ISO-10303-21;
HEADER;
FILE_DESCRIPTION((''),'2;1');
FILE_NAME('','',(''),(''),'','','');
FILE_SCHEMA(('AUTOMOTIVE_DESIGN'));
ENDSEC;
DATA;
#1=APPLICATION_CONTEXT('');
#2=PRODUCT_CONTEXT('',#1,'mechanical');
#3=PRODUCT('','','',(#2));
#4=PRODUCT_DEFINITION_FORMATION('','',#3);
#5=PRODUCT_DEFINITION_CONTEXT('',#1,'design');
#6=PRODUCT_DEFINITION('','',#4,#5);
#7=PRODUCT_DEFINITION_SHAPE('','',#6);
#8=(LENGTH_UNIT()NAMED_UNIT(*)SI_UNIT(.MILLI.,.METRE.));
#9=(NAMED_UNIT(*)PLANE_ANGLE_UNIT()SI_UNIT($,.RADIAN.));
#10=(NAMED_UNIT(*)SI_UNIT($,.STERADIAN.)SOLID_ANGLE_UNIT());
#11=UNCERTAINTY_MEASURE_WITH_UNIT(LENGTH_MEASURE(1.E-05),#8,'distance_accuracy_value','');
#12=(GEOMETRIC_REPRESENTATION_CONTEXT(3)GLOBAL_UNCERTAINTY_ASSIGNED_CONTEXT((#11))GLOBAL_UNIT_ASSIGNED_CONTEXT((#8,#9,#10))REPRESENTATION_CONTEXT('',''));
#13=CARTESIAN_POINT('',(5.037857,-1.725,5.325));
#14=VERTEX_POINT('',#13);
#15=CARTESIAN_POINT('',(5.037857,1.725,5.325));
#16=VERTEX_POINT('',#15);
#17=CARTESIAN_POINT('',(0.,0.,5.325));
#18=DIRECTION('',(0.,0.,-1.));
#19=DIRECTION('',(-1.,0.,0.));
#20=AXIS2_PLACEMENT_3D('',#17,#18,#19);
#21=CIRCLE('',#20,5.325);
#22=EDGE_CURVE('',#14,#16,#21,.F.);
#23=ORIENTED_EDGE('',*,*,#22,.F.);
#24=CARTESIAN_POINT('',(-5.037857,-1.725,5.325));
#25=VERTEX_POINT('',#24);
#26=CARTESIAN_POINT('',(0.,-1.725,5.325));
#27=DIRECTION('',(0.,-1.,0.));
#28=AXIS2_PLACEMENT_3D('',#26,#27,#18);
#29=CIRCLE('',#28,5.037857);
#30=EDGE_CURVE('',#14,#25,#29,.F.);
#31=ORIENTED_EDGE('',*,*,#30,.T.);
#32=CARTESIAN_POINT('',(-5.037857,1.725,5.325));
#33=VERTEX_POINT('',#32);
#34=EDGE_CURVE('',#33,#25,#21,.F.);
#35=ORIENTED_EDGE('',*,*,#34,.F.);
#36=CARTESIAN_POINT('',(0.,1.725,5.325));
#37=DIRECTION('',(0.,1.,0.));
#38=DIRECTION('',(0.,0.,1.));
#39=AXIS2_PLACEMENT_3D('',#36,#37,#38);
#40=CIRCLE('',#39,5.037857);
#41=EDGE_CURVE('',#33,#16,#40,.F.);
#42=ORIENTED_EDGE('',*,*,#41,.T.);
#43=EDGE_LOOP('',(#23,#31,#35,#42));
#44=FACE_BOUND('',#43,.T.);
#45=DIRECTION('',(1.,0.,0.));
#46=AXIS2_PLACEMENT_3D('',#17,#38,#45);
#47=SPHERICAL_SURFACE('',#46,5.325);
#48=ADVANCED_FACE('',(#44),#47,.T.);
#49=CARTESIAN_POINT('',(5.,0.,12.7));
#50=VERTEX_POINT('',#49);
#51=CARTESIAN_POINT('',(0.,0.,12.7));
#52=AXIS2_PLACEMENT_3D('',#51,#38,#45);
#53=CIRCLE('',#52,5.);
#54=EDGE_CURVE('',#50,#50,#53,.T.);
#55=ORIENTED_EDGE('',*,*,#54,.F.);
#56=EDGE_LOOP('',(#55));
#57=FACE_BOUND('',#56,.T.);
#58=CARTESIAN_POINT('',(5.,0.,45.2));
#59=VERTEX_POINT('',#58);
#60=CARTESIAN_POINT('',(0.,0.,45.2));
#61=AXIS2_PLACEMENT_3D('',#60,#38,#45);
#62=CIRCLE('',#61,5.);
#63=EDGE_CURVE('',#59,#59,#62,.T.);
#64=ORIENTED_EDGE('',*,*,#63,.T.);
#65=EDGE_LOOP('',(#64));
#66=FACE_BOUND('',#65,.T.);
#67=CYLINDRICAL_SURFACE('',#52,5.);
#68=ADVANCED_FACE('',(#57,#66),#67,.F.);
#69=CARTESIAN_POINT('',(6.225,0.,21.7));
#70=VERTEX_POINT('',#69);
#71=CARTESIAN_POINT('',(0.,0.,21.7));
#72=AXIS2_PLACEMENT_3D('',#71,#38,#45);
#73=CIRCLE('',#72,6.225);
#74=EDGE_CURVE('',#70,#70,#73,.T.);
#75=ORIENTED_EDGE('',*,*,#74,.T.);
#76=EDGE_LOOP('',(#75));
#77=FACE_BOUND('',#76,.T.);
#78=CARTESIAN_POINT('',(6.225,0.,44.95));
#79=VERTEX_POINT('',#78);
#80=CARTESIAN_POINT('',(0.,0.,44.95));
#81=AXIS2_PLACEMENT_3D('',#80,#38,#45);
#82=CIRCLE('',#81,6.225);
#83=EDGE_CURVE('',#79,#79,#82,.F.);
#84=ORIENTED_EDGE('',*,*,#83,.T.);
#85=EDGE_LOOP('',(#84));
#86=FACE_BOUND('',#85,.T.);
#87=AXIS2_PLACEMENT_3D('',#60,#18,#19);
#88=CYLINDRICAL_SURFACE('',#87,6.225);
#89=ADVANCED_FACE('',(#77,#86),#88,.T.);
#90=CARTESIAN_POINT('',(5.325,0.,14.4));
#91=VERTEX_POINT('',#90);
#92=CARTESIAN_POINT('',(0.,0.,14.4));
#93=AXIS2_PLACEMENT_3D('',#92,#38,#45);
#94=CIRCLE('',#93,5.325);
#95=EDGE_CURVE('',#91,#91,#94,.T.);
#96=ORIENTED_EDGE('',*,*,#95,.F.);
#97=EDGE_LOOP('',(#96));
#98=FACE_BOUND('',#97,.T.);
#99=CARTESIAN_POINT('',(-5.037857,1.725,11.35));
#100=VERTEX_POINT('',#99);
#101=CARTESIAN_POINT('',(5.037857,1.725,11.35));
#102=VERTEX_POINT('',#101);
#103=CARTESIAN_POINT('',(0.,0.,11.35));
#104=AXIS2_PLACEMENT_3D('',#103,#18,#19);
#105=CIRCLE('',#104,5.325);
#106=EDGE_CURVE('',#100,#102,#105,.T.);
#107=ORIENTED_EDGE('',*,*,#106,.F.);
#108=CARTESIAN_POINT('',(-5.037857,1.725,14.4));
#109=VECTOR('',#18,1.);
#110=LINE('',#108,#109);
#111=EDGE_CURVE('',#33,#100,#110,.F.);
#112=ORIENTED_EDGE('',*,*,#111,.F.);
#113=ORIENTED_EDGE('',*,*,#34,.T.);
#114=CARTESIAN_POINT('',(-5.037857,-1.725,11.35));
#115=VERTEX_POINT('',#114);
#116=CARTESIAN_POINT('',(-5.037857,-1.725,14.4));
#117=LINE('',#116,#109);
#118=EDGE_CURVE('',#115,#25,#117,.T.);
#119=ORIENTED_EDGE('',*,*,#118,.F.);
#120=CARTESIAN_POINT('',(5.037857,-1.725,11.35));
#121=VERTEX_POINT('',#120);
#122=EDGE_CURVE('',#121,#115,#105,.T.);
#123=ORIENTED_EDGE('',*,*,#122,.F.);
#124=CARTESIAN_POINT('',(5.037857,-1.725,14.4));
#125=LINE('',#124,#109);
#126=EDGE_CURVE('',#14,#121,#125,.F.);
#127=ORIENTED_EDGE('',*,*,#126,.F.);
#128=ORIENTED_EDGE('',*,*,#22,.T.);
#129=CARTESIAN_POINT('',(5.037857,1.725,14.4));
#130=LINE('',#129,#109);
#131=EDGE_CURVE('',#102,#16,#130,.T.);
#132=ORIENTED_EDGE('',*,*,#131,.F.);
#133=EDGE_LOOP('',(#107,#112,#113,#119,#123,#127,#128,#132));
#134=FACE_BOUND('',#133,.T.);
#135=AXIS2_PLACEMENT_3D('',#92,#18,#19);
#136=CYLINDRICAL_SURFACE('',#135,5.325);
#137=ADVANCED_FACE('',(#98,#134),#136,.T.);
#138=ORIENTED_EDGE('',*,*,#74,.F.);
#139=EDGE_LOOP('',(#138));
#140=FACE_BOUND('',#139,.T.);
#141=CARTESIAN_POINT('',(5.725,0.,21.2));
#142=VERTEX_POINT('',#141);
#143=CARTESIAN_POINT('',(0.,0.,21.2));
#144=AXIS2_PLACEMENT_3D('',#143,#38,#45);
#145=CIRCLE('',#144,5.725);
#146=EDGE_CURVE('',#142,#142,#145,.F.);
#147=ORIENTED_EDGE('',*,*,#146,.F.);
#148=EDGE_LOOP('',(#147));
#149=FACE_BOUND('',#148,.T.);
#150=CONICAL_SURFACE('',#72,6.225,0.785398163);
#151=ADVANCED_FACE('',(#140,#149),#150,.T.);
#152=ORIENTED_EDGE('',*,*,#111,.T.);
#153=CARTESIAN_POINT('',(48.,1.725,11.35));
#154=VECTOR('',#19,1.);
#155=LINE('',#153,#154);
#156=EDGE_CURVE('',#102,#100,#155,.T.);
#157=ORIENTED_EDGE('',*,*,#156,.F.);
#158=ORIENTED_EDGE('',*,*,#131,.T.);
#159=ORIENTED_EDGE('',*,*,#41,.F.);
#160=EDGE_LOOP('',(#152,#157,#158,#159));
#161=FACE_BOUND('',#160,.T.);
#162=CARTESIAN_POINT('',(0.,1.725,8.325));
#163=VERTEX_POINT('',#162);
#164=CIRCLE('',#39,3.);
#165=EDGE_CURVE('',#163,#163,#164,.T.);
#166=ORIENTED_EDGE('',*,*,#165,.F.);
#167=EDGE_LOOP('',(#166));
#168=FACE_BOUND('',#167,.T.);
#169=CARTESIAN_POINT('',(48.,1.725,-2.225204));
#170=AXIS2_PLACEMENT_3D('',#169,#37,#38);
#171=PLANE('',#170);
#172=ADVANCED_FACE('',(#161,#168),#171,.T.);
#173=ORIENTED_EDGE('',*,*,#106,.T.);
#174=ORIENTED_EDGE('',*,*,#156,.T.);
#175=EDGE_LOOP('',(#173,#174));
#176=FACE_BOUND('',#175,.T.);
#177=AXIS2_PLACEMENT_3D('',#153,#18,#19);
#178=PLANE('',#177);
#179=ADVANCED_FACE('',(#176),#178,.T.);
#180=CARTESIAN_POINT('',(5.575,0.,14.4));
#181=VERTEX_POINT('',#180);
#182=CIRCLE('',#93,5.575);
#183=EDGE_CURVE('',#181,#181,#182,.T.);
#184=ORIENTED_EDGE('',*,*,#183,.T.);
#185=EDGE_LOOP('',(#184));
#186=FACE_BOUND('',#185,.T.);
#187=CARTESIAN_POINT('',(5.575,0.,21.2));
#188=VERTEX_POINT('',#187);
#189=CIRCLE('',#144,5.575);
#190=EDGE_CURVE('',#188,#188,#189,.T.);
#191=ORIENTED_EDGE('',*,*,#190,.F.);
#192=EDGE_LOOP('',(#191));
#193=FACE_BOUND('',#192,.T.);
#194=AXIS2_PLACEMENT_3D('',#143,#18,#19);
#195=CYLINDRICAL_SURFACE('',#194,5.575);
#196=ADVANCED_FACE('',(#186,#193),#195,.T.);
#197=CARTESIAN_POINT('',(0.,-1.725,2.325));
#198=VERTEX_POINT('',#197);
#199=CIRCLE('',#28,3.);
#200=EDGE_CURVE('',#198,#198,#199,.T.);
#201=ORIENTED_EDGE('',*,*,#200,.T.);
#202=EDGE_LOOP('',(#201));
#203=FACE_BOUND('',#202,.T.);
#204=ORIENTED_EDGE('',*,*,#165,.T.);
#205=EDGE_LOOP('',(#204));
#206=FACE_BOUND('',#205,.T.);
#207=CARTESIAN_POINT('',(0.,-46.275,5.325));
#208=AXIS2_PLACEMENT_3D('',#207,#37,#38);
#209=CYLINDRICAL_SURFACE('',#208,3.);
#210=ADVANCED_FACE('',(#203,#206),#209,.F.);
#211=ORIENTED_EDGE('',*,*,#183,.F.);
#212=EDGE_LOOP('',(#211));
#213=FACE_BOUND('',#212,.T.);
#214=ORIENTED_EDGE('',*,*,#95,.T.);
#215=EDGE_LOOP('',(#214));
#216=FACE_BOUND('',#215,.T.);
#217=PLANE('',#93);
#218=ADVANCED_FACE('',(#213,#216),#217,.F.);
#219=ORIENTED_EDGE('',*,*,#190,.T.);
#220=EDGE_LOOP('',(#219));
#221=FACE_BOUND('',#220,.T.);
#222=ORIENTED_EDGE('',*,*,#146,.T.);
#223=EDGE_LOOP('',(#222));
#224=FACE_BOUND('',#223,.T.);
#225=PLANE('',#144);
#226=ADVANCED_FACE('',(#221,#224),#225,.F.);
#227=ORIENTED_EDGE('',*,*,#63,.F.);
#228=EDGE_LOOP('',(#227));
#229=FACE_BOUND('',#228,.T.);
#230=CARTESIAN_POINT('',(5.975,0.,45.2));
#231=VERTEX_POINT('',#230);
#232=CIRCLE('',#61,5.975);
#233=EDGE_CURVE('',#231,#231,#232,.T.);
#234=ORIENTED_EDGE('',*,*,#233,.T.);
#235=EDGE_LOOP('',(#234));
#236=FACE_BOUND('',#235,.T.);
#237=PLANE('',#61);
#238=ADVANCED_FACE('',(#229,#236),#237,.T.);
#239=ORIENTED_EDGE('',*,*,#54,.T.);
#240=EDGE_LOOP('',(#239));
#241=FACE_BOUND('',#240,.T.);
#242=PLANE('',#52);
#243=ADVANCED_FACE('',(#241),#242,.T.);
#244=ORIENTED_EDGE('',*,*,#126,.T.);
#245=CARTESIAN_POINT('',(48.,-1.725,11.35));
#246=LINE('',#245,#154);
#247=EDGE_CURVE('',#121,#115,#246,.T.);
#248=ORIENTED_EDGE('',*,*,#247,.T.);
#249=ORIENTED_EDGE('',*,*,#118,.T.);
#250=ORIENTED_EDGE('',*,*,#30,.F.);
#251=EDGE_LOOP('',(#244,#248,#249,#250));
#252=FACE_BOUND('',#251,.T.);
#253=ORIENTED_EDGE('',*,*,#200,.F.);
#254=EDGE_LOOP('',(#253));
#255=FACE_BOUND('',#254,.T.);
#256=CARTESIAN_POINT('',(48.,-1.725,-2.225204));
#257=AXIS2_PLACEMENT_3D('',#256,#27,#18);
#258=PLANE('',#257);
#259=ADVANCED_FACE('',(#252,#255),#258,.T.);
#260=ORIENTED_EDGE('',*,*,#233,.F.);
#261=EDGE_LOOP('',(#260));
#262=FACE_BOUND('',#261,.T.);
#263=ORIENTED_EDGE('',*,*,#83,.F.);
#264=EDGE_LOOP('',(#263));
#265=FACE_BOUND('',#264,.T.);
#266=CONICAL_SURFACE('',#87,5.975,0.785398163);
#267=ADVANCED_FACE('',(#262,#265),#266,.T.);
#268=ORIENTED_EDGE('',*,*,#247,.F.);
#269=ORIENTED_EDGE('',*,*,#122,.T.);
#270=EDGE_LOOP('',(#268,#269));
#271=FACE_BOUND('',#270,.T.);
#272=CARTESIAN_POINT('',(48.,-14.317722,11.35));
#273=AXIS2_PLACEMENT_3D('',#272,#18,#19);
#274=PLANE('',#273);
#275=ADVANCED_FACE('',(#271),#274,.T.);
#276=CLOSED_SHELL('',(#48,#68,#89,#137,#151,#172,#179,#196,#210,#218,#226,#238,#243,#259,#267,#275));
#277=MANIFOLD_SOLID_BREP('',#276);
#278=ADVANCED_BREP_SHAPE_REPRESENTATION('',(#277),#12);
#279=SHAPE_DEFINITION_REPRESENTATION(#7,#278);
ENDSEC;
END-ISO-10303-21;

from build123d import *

# Parameters (mm, degrees)
SKETCH1_R               = 5.325
BOSS_EXTRUDE1_DEPTH     = 14.4
SKETCH2_R               = 5.575
BOSS_EXTRUDE2_DEPTH     = 6.8
SKETCH3_R               = 6.225
BOSS_EXTRUDE3_DEPTH     = 24
FILLET1_R               = 5.325
CUT_EXTRUDE1_DEPTH      = 48
CUT_EXTRUDE1_DEPTH_BACK = 48
SKETCH5_R               = 3
CUT_EXTRUDE2_DEPTH      = 48
CHAMFER1_SIZE           = 0.5
SKETCH6_R               = 5
CUT_EXTRUDE3_DEPTH      = 32.5
CHAMFER2_SIZE           = 0.25


with BuildPart() as part:
    # Sketch1 → Boss-Extrude1 (new body)
    with BuildSketch(Plane.XY):
        Circle(SKETCH1_R)
    extrude(amount=BOSS_EXTRUDE1_DEPTH)

    # Sketch2 → Boss-Extrude2 (add)
    with BuildSketch(Plane.XY.offset(14.4)):
        Circle(SKETCH2_R)
    extrude(amount=BOSS_EXTRUDE2_DEPTH)

    # Sketch3 → Boss-Extrude3 (add)
    with BuildSketch(Plane.XY.offset(21.2)):
        Circle(SKETCH3_R)
    extrude(amount=BOSS_EXTRUDE3_DEPTH)

    # Fillet1
    fillet1_edges = [part.edges().sort_by_distance(p)[0] for p in [
        (-5.325, 0, 0),
    ]]
    fillet(fillet1_edges, radius=FILLET1_R)

    # Sketch4 → Cut-Extrude1 (cut, two sides: drawn at the far end of the back side and taken through both)
    with BuildSketch(Plane(origin=(0, 0, 0), x_dir=(0, 0, -1), z_dir=(1, 0, 0)).offset(-CUT_EXTRUDE1_DEPTH_BACK)):
        Polygon((2.225204424, 1.725), (-11.35, 1.725), (-11.35, 16.315544117), (23.658725474, 16.315544117), (23.658725474, -14.317722388), (-11.35, -14.317722388), (-11.35, -1.725), (2.225204424, -1.725), align=None)
    extrude(amount=CUT_EXTRUDE1_DEPTH + CUT_EXTRUDE1_DEPTH_BACK, mode=Mode.SUBTRACT)

    # Sketch5 → Cut-Extrude2 (cut)
    with BuildSketch(Plane(origin=(0, 1.725, 0), x_dir=(1, 0, 0), z_dir=(0, 1, 0))):
        with Locations((0, -5.325)):
            Circle(SKETCH5_R)
    extrude(amount=-CUT_EXTRUDE2_DEPTH, mode=Mode.SUBTRACT)

    # Chamfer1
    chamfer1_edges = [part.edges().sort_by_distance(p)[0] for p in [
        (-6.225, 0, 21.2),
    ]]
    chamfer(chamfer1_edges, length=CHAMFER1_SIZE)

    # Sketch6 → Cut-Extrude3 (cut)
    with BuildSketch(Plane.XY.offset(45.2)):
        Circle(SKETCH6_R)
    extrude(amount=-CUT_EXTRUDE3_DEPTH, mode=Mode.SUBTRACT)

    # Chamfer2
    chamfer2_edges = [part.edges().sort_by_distance(p)[0] for p in [
        (-6.225, 0, 45.2),
    ]]
    chamfer(chamfer2_edges, length=CHAMFER2_SIZE)


solid = part.part
